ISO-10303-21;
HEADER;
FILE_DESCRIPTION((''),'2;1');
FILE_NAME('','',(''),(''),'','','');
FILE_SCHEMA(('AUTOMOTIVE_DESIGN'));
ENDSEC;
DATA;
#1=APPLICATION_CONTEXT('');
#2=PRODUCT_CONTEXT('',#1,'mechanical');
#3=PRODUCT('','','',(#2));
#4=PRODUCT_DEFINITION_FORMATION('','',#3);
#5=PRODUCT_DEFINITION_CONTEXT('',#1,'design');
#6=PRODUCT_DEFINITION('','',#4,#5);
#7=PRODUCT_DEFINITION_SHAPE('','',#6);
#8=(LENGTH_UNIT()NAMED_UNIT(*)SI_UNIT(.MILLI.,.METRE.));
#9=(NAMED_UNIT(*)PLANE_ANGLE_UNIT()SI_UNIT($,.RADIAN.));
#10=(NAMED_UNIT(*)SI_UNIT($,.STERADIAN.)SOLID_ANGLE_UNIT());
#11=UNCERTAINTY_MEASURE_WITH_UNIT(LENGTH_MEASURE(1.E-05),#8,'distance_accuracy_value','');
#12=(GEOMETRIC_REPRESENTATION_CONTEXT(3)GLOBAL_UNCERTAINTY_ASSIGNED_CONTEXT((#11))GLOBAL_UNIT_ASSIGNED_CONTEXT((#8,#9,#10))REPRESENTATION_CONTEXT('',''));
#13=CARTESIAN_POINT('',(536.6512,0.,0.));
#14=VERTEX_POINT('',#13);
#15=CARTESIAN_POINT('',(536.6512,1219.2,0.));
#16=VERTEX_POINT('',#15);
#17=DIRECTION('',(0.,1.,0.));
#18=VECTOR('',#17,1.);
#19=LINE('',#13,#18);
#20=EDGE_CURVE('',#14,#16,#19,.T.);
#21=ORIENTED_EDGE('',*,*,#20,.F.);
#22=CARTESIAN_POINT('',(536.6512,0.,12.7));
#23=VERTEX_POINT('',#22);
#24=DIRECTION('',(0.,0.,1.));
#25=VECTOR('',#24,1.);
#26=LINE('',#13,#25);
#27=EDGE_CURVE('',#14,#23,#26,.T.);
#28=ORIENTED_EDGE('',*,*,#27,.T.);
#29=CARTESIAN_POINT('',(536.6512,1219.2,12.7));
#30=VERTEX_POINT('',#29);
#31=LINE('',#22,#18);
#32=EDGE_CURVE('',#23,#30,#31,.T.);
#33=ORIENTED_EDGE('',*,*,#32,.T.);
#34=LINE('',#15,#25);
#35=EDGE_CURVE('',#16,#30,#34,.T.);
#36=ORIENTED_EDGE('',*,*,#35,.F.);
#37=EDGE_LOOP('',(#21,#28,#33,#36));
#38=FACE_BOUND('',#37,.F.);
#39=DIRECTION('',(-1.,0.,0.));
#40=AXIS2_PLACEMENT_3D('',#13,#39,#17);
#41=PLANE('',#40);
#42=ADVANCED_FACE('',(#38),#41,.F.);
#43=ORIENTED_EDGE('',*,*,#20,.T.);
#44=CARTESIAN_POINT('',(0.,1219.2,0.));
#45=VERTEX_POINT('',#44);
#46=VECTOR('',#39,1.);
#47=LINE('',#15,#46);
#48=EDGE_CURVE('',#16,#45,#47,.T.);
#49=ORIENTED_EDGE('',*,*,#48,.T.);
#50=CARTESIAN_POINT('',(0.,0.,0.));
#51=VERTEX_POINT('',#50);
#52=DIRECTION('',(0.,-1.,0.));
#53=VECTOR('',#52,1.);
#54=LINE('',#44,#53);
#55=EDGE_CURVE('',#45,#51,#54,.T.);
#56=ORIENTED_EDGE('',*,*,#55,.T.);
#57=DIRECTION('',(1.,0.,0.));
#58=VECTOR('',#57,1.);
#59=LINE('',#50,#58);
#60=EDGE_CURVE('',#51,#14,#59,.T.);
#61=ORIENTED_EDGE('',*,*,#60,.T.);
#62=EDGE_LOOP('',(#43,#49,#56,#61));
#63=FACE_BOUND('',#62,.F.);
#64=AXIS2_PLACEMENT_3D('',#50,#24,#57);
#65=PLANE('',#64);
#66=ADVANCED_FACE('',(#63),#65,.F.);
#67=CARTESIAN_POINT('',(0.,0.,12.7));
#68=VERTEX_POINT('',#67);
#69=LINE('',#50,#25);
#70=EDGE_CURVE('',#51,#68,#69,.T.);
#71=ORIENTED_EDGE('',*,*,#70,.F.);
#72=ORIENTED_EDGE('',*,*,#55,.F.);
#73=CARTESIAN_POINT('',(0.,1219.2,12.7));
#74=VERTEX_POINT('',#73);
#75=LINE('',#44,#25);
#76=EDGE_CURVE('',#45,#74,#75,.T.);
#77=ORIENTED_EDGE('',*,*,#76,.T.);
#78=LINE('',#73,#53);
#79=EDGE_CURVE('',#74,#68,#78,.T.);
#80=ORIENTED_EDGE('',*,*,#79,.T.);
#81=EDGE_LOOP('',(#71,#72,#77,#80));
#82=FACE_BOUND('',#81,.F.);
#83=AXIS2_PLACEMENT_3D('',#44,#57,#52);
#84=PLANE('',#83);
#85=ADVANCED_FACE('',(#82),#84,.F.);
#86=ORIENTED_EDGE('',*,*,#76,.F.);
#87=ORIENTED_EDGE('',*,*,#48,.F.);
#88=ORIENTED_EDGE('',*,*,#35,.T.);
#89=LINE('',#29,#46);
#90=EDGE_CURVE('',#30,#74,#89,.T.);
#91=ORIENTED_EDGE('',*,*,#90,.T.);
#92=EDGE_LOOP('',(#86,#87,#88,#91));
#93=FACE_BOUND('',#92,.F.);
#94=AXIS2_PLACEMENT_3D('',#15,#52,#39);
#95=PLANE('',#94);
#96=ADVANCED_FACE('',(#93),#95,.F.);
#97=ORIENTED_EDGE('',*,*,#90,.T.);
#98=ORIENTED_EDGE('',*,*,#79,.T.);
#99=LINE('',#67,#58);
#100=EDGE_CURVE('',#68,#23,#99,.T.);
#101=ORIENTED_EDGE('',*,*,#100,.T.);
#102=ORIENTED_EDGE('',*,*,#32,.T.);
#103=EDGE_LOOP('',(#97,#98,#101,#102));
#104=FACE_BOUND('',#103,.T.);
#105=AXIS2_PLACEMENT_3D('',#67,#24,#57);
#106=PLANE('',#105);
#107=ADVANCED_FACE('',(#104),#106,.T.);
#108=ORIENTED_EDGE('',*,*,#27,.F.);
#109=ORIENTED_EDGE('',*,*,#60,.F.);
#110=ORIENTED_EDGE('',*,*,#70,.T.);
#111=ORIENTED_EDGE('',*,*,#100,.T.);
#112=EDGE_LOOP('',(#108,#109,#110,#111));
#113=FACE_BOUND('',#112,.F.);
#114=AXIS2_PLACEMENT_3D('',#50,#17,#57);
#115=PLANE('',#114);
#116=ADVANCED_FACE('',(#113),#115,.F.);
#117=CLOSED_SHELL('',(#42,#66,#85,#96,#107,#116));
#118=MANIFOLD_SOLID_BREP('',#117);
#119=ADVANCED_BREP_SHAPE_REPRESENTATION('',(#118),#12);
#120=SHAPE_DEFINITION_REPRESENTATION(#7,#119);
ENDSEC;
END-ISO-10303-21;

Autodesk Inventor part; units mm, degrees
ref_plane "YZ Plane" through (0, 0, 0) normal (1, 0, 0) x (0, 1, 0)
ref_plane "XZ Plane" through (0, 0, 0) normal (0, 1, 0) x (-1, 0, 0)
ref_plane "XY Plane" through (0, 0, 0) normal (0, 0, 1) x (1, 0, 0)
sketch "Sketch1" plane through (0, 0, 0) normal (0, 0, 1) x (1, 0, 0)
  line L0 (0, 0) -> (536.6512, 0)
  line L1 (536.6512, 0) -> (536.6512, 1219.2)
  line L2 (536.6512, 1219.2) -> (0, 1219.2)
  line L3 (0, 1219.2) -> (0, 0)
  dimension "d2" = 1219.2
  dimension "d3" = 536.6512
extrude "Extrusion1" add sketch "Sketch1" along normal blind 12.7
properties part number "OSB_For_Walls_With_Dimensions_20.604_x_48_Inches" material "Wood (Birch)"
